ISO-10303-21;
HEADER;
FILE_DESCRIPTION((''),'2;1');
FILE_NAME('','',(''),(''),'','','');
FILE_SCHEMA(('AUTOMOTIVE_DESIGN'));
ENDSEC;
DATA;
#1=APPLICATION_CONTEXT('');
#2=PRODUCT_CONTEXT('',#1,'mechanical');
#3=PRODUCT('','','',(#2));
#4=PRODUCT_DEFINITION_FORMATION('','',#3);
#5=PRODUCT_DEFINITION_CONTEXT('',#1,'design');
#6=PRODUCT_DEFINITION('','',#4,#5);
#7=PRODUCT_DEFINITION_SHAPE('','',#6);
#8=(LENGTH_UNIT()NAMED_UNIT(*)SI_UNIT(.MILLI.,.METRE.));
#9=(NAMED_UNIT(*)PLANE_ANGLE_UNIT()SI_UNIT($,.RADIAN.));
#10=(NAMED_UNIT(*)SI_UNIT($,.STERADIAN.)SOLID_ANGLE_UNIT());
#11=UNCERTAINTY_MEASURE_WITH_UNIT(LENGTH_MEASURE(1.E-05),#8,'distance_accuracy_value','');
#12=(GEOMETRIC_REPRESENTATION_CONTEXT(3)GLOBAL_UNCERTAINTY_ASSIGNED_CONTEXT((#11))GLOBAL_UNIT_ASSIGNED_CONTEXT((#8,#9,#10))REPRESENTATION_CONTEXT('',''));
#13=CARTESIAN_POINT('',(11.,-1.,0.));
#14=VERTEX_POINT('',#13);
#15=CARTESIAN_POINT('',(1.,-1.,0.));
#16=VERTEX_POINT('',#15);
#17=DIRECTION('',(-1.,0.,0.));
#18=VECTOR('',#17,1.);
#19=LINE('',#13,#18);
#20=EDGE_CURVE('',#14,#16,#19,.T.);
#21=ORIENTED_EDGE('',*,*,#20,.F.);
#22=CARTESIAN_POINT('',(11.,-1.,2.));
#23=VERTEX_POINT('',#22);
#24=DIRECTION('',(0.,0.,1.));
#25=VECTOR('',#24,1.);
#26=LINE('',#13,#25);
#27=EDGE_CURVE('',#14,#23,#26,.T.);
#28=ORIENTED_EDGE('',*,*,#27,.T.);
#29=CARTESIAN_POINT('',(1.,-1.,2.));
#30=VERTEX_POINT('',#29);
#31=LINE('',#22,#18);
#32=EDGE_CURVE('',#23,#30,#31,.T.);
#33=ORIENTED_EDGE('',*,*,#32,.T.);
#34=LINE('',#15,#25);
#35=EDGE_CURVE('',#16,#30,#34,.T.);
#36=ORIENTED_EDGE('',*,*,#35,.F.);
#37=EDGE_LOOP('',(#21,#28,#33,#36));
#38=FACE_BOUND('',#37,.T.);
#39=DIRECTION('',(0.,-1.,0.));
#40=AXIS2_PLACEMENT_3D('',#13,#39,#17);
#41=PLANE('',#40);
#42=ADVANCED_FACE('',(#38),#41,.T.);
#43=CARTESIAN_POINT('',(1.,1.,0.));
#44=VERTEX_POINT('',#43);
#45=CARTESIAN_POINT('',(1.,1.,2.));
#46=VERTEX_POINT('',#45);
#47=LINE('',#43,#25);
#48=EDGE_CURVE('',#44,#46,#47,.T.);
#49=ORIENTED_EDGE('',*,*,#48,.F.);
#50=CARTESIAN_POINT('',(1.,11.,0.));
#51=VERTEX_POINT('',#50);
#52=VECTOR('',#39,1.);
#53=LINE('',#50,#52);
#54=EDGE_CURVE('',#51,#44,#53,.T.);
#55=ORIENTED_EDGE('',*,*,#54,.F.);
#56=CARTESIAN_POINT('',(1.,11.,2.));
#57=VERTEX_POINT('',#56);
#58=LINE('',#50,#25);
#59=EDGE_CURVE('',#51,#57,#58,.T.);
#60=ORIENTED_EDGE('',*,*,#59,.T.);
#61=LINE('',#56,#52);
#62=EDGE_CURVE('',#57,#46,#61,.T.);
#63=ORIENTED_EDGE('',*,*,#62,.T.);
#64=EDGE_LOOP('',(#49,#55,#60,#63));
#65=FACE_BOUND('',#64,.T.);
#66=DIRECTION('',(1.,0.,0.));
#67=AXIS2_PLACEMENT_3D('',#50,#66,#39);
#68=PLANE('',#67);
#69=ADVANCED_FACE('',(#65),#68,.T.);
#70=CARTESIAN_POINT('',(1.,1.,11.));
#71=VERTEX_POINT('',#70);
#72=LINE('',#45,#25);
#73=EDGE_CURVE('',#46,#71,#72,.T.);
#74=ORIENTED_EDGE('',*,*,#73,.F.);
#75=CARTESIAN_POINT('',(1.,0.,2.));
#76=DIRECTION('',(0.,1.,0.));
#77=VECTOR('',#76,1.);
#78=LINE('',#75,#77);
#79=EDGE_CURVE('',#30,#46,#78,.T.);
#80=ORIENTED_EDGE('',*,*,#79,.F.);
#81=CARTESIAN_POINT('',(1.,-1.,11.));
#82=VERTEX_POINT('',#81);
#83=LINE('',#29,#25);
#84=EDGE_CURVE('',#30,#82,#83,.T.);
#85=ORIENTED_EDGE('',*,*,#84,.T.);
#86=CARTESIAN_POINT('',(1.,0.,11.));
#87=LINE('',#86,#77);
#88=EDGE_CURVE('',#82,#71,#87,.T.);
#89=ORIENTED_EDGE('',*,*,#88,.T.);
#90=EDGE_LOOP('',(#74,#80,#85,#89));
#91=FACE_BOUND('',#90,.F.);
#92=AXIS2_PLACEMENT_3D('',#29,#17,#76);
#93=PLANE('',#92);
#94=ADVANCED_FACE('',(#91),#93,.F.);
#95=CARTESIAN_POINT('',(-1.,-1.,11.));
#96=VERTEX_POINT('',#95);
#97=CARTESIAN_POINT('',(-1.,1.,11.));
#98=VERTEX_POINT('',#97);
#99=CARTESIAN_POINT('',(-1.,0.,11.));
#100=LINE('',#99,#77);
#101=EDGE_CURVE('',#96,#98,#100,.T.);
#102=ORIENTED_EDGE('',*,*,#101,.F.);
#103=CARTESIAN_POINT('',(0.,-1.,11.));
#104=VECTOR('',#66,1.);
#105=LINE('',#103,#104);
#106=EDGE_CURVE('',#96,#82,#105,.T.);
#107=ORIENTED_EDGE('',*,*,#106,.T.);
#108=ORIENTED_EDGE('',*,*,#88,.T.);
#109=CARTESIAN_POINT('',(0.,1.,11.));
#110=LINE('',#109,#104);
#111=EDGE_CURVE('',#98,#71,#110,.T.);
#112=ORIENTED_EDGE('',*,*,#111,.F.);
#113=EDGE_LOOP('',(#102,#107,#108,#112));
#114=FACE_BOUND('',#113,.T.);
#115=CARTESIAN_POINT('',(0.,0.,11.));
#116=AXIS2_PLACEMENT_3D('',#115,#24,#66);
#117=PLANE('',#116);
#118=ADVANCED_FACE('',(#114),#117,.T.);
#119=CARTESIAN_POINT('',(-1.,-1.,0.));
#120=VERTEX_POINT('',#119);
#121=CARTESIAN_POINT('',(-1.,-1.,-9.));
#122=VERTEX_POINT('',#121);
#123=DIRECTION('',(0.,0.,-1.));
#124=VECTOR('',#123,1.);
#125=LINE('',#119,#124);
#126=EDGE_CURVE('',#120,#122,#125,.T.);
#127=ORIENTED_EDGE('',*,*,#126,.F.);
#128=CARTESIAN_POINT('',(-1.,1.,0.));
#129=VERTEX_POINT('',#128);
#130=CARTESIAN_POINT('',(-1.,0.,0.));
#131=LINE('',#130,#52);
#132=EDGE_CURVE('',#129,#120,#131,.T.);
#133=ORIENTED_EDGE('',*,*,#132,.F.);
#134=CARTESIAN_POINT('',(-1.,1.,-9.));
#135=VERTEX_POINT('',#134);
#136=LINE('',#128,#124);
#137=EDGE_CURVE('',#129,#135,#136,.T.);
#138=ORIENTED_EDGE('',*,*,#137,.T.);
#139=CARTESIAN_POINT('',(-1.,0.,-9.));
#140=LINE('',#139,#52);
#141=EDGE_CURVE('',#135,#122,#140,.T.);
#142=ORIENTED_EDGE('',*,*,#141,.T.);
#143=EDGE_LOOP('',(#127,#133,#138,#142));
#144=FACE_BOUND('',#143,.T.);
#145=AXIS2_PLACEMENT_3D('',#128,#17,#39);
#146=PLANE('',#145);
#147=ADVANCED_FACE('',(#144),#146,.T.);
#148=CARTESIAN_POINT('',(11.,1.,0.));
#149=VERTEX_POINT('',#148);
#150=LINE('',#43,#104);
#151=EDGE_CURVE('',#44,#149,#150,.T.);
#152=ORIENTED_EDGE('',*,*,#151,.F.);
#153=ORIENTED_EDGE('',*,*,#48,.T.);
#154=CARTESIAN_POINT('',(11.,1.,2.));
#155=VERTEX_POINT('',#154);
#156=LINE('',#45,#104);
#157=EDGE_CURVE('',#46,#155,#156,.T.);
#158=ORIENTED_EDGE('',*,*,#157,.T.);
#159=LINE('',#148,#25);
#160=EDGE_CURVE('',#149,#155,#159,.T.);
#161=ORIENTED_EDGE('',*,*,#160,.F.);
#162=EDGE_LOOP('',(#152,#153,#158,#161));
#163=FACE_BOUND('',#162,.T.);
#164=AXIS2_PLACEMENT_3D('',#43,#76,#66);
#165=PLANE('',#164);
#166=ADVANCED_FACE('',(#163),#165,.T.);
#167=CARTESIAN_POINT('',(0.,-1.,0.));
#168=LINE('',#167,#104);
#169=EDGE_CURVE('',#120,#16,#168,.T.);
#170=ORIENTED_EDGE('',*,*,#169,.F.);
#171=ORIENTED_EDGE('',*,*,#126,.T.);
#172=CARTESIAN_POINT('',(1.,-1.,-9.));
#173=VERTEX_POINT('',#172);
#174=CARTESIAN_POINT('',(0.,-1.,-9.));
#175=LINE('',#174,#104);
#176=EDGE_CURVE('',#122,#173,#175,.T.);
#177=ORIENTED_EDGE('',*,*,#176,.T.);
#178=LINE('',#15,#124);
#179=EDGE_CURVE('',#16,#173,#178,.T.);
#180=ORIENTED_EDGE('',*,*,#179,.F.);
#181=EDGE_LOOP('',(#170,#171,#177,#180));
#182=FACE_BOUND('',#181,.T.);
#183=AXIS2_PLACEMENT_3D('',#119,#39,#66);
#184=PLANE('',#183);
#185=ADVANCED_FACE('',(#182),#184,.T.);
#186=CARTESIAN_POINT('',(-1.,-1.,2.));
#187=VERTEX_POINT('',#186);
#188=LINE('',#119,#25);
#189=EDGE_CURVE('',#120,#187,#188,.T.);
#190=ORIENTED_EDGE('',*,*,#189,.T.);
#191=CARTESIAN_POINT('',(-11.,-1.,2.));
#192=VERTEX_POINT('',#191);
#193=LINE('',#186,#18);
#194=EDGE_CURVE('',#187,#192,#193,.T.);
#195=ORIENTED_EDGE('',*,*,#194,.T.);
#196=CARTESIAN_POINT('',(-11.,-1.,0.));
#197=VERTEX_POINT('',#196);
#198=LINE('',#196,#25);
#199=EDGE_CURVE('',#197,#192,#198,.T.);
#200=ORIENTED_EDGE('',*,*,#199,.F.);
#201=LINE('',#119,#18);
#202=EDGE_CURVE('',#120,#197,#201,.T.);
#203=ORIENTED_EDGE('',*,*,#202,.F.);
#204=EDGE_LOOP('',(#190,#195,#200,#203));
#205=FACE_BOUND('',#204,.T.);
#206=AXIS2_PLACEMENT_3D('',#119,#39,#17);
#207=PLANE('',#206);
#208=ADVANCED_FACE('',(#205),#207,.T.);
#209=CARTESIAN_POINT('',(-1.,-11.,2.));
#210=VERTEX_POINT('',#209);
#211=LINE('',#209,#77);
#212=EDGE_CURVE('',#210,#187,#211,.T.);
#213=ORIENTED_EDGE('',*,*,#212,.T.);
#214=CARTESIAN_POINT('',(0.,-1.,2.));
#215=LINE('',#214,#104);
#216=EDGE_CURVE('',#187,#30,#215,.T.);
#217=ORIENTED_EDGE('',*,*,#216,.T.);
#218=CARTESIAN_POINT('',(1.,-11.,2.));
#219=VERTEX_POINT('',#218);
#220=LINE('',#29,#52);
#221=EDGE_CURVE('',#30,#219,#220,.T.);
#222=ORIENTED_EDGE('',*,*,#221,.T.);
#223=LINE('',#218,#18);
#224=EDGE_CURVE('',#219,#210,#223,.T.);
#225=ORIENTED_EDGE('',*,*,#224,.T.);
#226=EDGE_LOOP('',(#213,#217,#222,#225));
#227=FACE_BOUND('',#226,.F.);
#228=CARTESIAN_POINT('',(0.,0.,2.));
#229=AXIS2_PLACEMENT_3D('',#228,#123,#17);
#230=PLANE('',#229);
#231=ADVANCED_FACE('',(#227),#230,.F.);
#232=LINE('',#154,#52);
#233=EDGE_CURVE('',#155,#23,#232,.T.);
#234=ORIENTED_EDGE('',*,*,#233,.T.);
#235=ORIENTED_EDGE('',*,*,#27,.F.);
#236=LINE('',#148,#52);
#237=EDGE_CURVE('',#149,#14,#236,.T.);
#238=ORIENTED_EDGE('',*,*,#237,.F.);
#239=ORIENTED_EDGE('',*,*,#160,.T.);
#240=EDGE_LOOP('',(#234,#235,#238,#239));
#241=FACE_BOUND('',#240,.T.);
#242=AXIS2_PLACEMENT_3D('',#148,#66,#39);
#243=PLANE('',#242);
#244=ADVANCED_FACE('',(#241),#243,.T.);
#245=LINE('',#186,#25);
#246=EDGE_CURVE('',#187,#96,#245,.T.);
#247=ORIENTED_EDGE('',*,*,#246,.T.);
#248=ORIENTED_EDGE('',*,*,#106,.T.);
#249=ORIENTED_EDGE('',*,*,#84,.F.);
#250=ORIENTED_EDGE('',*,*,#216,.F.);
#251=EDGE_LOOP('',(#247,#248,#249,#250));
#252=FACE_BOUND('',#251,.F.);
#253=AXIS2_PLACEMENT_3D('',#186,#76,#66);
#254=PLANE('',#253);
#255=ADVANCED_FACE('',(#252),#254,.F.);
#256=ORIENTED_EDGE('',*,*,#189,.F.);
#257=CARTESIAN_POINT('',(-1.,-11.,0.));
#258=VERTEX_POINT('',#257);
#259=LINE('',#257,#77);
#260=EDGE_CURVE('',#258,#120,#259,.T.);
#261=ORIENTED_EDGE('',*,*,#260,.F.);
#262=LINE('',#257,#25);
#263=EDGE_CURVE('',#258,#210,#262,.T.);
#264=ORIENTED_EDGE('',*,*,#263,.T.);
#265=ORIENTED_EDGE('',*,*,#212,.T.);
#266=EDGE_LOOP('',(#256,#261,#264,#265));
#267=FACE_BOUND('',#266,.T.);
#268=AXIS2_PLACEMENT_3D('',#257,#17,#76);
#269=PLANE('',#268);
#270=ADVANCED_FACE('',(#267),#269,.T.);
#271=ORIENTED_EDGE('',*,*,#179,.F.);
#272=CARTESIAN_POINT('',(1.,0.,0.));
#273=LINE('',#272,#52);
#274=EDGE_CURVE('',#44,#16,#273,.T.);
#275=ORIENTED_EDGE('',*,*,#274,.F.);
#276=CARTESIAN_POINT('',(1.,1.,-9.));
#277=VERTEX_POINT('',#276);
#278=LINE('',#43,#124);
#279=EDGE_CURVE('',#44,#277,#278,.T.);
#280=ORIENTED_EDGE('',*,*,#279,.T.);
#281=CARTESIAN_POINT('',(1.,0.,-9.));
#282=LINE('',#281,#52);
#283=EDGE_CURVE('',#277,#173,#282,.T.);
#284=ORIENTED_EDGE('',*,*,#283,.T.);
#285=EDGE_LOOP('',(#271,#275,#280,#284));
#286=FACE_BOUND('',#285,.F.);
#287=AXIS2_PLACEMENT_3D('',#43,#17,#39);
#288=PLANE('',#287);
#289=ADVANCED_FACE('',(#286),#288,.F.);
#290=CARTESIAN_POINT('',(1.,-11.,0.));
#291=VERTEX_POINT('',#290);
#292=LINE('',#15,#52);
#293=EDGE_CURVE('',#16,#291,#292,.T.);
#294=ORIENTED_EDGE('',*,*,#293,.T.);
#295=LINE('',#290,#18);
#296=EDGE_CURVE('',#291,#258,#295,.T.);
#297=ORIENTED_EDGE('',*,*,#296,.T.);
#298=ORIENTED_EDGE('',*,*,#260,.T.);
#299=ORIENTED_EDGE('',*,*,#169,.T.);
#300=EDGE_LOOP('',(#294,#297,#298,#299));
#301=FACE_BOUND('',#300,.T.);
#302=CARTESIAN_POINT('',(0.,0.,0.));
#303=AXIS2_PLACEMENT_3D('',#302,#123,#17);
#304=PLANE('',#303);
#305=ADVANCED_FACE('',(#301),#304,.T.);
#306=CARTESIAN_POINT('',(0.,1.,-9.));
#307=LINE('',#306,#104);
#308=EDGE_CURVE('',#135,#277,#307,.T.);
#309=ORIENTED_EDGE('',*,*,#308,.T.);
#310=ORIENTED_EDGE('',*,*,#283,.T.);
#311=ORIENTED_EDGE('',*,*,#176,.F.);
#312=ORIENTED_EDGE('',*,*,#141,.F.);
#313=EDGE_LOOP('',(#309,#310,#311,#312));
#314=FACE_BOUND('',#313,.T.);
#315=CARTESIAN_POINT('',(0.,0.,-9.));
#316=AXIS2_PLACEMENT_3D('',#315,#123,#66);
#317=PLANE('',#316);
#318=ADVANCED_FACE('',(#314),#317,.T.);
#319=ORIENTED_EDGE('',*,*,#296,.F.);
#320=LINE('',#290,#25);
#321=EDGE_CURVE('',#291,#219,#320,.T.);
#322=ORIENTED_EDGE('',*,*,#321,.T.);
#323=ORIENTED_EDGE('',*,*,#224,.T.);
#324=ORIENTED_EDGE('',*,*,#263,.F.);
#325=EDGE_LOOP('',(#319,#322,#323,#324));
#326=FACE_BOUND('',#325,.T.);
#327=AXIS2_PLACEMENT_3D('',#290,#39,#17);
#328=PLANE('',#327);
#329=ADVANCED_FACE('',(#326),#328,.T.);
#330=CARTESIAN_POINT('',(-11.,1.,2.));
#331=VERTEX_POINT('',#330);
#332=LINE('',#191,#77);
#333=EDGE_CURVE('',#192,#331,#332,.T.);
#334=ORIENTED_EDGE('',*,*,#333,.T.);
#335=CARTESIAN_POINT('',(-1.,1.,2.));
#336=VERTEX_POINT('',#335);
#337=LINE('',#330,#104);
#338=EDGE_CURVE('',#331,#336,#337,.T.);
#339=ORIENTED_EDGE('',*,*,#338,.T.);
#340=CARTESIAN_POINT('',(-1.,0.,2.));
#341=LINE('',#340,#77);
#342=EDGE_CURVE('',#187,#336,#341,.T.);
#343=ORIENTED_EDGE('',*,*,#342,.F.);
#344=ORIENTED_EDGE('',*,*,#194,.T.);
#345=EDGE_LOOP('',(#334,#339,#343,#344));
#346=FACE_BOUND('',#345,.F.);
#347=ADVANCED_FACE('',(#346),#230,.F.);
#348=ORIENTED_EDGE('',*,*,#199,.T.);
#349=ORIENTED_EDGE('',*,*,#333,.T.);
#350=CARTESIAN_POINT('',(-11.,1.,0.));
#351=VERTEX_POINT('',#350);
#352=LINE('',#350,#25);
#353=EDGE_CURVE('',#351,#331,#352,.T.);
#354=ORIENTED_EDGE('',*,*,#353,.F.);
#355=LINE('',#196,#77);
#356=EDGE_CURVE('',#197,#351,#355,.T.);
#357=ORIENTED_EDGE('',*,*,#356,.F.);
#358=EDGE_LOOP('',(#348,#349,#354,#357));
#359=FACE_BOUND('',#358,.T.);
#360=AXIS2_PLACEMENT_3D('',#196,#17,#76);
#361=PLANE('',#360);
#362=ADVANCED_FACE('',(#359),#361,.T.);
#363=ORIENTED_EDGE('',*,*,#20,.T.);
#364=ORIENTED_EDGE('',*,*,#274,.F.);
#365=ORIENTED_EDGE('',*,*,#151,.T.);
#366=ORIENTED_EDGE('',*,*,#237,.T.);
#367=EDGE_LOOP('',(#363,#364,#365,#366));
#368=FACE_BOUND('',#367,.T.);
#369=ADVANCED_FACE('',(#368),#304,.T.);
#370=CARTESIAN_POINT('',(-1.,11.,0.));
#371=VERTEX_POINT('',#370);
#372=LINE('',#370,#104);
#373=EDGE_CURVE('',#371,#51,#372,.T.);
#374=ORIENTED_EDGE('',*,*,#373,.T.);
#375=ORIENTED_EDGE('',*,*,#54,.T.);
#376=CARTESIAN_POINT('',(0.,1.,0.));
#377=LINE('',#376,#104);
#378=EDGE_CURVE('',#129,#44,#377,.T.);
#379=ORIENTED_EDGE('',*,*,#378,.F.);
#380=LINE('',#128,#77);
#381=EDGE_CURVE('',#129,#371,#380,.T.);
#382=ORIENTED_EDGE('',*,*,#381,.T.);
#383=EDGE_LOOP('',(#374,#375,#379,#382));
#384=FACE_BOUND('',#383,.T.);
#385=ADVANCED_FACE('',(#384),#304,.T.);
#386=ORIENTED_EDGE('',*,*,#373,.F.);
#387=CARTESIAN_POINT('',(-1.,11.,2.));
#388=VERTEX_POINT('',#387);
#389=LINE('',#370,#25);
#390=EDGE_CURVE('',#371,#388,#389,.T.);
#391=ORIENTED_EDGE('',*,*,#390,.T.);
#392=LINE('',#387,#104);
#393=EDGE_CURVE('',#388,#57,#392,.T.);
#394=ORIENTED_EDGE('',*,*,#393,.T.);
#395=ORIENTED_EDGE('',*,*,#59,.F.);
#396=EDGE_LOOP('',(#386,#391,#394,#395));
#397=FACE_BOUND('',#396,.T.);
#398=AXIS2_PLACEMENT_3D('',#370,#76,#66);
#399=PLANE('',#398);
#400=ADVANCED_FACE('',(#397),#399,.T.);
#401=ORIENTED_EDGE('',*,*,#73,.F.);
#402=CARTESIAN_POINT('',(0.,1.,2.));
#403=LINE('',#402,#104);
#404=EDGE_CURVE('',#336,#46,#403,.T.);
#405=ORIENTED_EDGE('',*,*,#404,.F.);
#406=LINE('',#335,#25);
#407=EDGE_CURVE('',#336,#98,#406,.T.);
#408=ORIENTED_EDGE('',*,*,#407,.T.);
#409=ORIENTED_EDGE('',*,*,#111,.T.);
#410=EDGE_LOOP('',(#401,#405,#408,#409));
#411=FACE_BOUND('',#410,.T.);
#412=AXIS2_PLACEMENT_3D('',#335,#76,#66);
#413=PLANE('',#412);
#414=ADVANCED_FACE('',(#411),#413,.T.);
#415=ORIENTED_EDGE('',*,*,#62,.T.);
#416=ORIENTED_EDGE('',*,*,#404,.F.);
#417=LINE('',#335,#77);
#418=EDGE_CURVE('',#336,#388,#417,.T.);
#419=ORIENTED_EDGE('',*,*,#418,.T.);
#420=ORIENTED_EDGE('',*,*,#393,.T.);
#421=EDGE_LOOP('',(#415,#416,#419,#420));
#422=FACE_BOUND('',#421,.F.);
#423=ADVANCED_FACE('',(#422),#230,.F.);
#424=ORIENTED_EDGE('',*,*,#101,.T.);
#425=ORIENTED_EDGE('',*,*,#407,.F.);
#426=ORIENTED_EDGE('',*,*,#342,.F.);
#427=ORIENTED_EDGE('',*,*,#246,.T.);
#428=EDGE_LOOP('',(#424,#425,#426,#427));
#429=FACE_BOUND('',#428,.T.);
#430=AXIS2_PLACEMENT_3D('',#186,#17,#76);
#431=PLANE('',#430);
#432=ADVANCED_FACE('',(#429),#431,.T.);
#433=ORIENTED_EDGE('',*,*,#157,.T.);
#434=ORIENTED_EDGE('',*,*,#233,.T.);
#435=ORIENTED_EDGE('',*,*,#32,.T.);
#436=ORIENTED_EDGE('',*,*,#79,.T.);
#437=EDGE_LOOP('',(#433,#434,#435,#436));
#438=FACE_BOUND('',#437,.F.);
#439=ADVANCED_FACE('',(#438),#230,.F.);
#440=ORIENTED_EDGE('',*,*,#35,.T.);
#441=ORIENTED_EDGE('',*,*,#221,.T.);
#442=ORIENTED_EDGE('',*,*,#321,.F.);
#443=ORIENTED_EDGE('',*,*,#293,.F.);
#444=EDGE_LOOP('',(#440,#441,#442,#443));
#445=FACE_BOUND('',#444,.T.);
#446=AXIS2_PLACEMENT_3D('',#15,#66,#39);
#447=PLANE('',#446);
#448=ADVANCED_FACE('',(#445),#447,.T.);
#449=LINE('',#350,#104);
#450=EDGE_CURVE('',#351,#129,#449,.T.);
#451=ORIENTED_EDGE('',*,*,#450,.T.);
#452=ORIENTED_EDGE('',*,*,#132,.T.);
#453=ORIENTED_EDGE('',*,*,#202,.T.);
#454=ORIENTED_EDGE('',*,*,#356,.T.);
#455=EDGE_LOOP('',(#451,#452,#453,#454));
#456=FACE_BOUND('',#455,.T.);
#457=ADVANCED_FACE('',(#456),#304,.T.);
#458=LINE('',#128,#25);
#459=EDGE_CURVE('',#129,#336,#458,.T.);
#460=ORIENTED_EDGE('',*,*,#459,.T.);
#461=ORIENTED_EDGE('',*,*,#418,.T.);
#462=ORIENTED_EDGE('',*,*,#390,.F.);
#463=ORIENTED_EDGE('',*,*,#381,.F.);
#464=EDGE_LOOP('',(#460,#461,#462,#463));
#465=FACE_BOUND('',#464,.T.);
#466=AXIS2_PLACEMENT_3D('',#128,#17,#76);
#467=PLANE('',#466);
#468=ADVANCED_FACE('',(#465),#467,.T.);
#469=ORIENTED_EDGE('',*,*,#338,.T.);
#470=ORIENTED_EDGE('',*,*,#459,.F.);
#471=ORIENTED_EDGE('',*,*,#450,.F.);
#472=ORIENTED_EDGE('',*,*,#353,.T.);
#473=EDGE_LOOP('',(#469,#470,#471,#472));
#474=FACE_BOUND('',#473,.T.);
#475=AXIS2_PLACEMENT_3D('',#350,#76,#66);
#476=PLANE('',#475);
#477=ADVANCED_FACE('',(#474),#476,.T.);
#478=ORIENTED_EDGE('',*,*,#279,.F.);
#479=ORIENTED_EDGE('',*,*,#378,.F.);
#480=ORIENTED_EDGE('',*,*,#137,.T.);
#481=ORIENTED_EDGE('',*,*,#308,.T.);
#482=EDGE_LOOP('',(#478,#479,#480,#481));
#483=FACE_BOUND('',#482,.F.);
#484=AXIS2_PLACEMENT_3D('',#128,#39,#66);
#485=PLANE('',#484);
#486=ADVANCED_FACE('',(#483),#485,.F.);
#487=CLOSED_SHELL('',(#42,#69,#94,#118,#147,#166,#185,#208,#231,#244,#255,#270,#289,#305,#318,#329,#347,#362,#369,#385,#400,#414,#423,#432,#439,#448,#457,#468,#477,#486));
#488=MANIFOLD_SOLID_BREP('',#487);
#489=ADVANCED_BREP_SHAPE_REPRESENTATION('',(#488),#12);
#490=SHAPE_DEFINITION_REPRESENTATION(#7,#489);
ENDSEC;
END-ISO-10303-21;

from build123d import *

# Parameters (mm, degrees)
PAD_DEPTH    = 2
SKETCH001_W  = 2
SKETCH001_H  = 2
PAD001_DEPTH = 9
SKETCH002_W  = 2
SKETCH002_H  = 2
PAD002_DEPTH = 9


with BuildPart() as part:
    # Sketch → Pad (new body)
    with BuildSketch(Plane.XY):
        Polygon((-1, 1), (-1, 11), (1, 11), (1, 1), (11, 1), (11, -1), (1, -1), (1, -11), (-1, -11), (-1, -1), (-11, -1), (-11, 1), align=None)
    extrude(amount=PAD_DEPTH)

    # Sketch001 → Pad001 (new body)
    with BuildSketch(Plane.XY.offset(2)):
        Rectangle(SKETCH001_W, SKETCH001_H)
    extrude(amount=PAD001_DEPTH)

    # Sketch002 → Pad002 (new body)
    with BuildSketch(Plane(origin=(0, 0, 0), x_dir=(1, 0, 0), z_dir=(0, 0, -1))):
        Rectangle(SKETCH002_W, SKETCH002_H)
    extrude(amount=PAD002_DEPTH)


solid = part.part
